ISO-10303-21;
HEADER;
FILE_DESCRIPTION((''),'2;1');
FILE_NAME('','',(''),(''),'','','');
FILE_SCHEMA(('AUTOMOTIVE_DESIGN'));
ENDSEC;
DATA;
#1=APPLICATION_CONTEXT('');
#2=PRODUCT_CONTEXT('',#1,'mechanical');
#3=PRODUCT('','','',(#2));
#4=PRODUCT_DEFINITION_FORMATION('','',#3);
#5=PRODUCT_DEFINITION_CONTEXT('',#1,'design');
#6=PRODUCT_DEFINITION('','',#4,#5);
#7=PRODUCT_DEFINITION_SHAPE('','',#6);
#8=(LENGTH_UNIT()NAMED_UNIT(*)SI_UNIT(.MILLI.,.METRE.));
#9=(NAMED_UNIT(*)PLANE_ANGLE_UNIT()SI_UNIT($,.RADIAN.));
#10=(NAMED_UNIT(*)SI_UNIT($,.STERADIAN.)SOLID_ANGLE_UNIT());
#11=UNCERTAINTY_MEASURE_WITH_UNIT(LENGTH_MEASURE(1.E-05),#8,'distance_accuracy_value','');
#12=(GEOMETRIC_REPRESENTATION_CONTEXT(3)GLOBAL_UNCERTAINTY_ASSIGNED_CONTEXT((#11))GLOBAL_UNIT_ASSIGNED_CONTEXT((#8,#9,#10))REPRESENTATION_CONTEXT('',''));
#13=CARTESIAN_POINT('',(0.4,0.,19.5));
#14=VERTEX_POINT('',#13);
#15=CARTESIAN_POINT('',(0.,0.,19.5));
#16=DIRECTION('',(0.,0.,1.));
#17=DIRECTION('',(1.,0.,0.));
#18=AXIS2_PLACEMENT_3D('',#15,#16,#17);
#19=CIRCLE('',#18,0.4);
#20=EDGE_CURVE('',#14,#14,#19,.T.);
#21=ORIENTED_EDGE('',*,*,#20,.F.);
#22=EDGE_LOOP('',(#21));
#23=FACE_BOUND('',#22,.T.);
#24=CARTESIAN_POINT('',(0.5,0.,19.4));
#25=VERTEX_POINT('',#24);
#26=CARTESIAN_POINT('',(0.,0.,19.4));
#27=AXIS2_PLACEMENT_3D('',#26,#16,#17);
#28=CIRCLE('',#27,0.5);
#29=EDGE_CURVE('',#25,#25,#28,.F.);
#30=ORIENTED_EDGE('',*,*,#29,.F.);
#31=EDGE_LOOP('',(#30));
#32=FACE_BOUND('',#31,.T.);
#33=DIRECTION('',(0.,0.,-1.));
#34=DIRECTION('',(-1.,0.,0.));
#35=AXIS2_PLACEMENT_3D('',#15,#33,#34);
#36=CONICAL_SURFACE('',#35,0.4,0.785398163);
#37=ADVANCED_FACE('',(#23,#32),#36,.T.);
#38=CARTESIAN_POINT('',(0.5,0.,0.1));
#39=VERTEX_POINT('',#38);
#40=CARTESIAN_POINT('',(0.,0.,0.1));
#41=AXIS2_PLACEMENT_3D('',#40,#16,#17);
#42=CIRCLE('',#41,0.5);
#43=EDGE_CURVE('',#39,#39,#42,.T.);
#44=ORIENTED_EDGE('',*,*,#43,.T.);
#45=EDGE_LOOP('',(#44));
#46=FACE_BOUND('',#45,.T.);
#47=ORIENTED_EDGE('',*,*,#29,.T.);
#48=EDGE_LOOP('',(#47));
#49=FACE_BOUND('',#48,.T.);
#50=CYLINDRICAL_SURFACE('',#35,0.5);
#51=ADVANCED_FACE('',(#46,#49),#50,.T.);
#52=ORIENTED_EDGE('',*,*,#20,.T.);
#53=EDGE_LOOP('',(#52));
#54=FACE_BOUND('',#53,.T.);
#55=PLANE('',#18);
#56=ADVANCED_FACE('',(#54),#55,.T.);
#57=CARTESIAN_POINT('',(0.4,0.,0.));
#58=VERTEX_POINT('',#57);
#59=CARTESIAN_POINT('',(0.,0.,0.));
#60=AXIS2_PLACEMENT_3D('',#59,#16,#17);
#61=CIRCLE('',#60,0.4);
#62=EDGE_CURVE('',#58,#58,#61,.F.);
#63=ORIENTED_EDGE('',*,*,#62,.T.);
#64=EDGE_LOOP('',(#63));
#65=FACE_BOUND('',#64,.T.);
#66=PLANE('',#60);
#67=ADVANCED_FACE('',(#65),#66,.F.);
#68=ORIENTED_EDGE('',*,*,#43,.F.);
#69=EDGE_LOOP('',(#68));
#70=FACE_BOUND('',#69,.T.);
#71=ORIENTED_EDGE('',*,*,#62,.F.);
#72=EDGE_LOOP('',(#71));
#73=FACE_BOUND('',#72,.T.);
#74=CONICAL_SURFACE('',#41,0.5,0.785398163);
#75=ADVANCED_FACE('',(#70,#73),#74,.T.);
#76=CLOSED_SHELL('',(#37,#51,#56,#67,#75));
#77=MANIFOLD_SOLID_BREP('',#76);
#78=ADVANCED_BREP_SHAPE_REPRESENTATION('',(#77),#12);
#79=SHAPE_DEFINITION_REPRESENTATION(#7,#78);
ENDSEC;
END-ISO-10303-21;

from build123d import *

# Parameters (mm, degrees)
SKETCH_1_R      = 0.5
EXTRUDE_1_DEPTH = 19.5
CHAMFER_1_SIZE  = 0.1


with BuildPart() as part:
    # Эскиз1 → Бобышка-Вытянуть1 (new body)
    with BuildSketch(Plane.XY):
        Circle(SKETCH_1_R)
    extrude(amount=EXTRUDE_1_DEPTH)

    # Фаска1
    chamfer_1_edges = [part.edges().sort_by_distance(p)[0] for p in [
        (-0.5, 0, 0),
        (-0.5, 0, 19.5),
    ]]
    chamfer(chamfer_1_edges, length=CHAMFER_1_SIZE)


solid = part.part
